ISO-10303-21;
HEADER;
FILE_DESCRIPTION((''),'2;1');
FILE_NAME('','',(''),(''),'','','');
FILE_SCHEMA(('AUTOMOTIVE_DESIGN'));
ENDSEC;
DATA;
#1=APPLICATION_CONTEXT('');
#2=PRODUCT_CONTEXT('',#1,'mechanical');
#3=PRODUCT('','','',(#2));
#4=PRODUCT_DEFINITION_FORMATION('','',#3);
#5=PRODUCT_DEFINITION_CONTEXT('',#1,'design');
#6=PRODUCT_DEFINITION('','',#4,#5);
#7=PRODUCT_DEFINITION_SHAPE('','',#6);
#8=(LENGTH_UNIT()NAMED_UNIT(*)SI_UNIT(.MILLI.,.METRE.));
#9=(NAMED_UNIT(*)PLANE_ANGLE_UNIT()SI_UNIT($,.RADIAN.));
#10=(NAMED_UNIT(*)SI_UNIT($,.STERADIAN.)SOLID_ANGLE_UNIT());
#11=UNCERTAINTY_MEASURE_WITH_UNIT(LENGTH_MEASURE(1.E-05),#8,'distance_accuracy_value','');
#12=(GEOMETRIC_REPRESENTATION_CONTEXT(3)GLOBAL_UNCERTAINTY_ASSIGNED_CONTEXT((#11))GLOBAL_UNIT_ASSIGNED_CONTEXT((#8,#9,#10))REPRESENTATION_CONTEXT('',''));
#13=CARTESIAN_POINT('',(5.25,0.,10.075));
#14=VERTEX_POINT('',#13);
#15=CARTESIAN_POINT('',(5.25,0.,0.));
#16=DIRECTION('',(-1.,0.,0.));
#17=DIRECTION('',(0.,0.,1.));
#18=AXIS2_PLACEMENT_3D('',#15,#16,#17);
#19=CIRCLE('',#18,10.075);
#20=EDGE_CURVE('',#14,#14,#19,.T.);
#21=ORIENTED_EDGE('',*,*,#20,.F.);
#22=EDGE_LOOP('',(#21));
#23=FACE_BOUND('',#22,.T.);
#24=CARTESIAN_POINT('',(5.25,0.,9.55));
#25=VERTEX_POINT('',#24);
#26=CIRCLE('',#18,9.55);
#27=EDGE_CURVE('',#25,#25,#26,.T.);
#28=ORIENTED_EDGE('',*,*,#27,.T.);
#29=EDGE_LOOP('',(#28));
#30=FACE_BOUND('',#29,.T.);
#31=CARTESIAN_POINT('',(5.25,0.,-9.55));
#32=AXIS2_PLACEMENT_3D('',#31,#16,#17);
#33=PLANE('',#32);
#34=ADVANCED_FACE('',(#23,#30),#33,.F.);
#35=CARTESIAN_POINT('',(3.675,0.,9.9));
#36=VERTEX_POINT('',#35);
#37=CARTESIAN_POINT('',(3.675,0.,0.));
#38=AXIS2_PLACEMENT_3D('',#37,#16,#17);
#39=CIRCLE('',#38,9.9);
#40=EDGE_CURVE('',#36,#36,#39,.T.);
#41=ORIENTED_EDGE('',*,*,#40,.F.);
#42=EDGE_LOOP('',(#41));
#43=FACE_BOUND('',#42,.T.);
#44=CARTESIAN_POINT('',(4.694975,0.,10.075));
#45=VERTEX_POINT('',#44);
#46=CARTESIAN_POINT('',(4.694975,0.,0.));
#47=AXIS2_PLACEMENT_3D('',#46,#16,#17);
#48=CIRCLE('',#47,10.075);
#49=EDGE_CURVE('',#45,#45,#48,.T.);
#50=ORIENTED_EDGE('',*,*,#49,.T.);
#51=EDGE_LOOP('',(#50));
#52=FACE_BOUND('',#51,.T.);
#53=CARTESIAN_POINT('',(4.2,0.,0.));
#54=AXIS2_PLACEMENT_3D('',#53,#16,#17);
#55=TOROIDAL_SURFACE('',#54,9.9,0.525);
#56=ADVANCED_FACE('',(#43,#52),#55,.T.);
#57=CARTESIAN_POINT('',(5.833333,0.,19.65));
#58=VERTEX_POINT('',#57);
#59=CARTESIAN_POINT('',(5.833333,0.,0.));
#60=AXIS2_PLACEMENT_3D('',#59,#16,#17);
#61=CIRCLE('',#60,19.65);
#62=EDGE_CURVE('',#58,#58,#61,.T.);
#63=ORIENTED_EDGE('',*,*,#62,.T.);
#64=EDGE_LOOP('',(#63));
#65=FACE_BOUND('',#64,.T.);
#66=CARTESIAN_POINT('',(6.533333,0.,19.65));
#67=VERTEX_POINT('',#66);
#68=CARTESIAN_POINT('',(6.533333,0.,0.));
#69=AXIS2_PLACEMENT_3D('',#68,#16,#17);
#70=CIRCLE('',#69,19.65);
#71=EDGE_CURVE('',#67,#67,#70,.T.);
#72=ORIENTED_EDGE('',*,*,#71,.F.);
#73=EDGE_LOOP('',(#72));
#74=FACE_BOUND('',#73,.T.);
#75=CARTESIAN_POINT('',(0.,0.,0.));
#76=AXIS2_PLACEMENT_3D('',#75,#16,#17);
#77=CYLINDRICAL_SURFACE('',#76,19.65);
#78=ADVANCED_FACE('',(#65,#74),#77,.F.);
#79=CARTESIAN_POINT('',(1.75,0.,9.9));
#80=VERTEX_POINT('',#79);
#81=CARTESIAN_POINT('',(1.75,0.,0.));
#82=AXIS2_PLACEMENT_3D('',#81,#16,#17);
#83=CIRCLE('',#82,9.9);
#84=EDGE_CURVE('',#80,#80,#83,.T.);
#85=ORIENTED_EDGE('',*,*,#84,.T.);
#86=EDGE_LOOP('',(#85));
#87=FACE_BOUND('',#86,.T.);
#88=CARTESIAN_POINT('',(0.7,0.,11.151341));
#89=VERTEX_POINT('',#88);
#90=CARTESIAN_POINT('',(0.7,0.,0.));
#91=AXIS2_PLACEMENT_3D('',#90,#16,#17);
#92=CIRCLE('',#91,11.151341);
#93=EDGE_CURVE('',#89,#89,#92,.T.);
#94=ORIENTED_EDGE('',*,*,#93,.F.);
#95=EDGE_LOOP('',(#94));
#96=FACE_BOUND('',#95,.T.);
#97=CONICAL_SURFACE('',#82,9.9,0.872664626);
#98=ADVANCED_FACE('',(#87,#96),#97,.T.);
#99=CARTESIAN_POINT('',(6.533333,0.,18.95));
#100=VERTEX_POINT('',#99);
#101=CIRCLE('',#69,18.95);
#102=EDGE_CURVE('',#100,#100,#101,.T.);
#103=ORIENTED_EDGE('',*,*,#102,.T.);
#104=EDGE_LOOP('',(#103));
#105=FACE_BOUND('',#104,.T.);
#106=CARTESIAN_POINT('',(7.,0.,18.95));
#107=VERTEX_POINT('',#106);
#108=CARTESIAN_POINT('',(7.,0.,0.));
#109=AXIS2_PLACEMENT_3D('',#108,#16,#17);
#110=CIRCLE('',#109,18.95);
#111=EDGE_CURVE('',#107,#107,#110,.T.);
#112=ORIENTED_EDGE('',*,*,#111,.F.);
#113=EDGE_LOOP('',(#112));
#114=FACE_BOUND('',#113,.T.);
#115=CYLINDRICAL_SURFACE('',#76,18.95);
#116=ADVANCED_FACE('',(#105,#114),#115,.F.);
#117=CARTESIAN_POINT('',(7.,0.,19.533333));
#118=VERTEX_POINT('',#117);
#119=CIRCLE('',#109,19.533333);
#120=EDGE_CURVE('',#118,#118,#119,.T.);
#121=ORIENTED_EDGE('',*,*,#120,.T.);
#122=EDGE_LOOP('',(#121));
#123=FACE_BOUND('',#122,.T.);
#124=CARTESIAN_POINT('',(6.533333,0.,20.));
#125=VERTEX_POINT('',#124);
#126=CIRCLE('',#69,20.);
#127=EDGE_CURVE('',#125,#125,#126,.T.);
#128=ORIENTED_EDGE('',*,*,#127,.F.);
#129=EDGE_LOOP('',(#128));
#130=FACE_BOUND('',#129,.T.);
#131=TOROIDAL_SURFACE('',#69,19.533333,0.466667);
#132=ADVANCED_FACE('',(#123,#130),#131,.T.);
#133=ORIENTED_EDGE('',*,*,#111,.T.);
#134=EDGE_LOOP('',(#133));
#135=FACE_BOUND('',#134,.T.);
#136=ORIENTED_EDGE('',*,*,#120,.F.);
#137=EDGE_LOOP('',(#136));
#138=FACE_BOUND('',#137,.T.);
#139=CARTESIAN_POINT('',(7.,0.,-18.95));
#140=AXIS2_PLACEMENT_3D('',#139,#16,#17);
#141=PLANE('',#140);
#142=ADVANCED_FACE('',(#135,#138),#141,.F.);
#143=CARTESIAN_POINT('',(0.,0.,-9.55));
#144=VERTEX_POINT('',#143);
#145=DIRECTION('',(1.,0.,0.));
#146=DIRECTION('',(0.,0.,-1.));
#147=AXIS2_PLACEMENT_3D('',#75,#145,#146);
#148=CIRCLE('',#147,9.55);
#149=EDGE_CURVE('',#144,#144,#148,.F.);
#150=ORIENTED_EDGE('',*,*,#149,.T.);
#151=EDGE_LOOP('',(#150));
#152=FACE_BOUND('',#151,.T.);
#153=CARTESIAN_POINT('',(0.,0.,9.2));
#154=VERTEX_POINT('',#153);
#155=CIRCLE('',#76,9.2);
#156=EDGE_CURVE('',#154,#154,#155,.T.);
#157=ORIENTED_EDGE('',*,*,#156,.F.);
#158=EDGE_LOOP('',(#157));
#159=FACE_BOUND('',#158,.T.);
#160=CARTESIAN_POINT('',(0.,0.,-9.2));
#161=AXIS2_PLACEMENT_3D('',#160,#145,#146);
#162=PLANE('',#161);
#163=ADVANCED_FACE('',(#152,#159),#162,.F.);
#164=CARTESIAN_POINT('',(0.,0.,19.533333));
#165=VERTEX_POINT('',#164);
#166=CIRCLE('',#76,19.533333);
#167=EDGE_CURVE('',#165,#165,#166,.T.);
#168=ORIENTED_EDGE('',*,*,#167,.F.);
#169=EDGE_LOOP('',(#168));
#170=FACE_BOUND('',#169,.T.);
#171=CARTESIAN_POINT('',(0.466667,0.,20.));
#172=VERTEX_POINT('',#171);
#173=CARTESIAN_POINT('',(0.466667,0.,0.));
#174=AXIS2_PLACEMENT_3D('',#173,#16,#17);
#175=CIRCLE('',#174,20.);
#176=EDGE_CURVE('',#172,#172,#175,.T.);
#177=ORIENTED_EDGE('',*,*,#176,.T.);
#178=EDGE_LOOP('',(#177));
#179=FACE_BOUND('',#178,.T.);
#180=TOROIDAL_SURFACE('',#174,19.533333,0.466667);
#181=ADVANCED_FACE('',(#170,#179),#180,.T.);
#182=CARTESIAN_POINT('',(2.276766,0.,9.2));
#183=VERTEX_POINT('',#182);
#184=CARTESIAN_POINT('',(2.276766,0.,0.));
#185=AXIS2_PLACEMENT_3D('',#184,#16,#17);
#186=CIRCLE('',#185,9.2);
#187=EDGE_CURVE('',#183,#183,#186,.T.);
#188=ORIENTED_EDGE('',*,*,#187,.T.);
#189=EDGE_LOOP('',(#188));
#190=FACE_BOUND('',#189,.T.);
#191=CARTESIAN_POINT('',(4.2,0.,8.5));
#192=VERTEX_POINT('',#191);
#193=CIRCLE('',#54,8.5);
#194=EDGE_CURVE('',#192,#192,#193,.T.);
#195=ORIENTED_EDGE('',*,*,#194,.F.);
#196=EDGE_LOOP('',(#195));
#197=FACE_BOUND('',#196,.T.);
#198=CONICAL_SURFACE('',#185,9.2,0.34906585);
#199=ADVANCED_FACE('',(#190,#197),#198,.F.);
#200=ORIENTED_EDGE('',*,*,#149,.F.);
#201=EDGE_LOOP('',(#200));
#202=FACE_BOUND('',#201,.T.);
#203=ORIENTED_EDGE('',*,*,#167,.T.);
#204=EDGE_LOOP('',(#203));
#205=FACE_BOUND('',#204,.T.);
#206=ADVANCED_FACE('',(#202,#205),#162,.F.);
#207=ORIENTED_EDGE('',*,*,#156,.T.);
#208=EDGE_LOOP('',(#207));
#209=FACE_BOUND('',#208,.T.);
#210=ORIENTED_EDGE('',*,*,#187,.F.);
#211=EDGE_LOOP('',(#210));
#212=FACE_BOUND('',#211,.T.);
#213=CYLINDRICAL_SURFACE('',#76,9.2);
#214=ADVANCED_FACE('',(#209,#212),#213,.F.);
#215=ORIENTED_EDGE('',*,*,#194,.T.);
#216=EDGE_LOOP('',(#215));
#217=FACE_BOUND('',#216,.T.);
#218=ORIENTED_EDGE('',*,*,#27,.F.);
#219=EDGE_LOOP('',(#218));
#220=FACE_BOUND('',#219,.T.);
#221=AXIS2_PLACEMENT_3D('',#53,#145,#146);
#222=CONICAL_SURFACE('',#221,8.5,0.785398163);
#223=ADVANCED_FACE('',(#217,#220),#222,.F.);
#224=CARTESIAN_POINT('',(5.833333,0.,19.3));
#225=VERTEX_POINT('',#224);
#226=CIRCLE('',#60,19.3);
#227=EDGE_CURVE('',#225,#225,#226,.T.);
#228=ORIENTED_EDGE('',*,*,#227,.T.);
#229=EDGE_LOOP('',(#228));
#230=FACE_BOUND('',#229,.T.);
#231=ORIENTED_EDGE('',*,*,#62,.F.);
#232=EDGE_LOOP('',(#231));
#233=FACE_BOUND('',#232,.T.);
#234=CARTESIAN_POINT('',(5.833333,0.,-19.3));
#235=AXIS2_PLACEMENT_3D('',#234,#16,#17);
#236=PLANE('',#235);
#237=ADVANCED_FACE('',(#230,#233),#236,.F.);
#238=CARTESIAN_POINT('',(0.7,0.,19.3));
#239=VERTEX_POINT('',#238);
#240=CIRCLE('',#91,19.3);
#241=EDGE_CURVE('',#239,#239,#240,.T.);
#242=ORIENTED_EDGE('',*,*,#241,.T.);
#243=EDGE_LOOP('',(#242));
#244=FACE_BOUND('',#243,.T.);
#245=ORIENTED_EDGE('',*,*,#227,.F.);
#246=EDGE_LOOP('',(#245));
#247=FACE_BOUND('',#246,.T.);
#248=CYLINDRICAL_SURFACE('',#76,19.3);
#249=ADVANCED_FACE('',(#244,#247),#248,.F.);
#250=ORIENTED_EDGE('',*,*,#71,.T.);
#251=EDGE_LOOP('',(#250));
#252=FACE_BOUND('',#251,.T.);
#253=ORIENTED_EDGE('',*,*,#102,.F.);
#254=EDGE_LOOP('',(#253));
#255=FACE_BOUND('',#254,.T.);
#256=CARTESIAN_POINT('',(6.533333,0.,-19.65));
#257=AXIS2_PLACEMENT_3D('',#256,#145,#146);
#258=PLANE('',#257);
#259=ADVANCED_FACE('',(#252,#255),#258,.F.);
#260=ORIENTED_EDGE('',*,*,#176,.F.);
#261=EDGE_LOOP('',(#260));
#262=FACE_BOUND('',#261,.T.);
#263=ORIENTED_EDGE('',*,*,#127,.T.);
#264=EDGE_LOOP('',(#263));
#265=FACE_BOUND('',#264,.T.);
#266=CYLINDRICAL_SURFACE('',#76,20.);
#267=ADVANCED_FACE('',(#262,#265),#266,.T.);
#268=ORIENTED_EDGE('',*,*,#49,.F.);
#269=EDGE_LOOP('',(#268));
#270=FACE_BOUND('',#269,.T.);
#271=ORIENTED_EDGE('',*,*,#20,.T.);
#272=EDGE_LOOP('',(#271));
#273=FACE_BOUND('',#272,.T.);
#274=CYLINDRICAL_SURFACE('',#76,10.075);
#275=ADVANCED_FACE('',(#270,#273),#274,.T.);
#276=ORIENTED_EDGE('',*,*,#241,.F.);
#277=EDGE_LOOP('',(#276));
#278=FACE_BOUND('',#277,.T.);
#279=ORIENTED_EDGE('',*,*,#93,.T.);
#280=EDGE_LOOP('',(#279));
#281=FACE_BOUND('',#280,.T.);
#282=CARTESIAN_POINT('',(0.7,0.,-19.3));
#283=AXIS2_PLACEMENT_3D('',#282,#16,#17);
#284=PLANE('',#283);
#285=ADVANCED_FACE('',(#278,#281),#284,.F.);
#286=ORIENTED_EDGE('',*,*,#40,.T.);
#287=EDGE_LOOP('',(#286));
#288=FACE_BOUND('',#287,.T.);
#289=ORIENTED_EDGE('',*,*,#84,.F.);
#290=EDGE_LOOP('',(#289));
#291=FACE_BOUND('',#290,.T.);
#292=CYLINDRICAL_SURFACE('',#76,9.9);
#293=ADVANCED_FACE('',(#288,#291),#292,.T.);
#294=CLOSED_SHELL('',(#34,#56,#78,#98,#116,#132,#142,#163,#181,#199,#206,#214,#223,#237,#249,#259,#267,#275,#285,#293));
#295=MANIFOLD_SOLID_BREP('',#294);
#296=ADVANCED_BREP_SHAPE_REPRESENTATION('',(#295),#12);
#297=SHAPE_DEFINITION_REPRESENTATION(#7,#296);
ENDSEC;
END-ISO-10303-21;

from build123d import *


with BuildPart() as part:
    # Esquisse1 → Base-Révolution (revolve)
    with BuildSketch(Plane(origin=(0, 0, 0), x_dir=(1, 0, 0), z_dir=(0, 1, 0)), mode=Mode.PRIVATE) as base_r_volution_sk:
        with BuildLine():
            Line((0, 9.2), (0, 19.533333333))
            ThreePointArc((0, 19.533333333), (0.136683502, 19.863316498), (0.466666667, 20))
            Line((0.466666667, 20), (6.533333333, 20))
            ThreePointArc((6.533333333, 20), (6.863316498, 19.863316498), (7, 19.533333333))
            Line((7, 19.533333333), (7, 18.95))
            Line((7, 18.95), (6.533333333, 18.95))
            Line((6.533333333, 18.95), (6.533333333, 19.65))
            Line((6.533333333, 19.65), (5.833333333, 19.65))
            Line((5.833333333, 19.65), (5.833333333, 19.3))
            Line((5.833333333, 19.3), (0.7, 19.3))
            Line((0.7, 19.3), (0.7, 11.151341272))
            Line((0.7, 11.151341272), (1.75, 9.9))
            Line((1.75, 9.9), (3.675, 9.9))
            ThreePointArc((3.675, 9.9), (4.111221461, 10.417439244), (4.694974747, 10.075))
            Line((4.694974747, 10.075), (5.25, 10.075))
            Line((5.25, 10.075), (5.25, 9.55))
            Line((5.25, 9.55), (4.2, 8.5))
            Line((4.2, 8.5), (2.276765806, 9.2))
            Line((2.276765806, 9.2), (0, 9.2))
        make_face()
    revolve(base_r_volution_sk.sketch.rotate(Axis((0, 0, 0), (1, 0, 0)), 180), axis=Axis((0, 0, 0), (1, 0, 0)))


solid = part.part
